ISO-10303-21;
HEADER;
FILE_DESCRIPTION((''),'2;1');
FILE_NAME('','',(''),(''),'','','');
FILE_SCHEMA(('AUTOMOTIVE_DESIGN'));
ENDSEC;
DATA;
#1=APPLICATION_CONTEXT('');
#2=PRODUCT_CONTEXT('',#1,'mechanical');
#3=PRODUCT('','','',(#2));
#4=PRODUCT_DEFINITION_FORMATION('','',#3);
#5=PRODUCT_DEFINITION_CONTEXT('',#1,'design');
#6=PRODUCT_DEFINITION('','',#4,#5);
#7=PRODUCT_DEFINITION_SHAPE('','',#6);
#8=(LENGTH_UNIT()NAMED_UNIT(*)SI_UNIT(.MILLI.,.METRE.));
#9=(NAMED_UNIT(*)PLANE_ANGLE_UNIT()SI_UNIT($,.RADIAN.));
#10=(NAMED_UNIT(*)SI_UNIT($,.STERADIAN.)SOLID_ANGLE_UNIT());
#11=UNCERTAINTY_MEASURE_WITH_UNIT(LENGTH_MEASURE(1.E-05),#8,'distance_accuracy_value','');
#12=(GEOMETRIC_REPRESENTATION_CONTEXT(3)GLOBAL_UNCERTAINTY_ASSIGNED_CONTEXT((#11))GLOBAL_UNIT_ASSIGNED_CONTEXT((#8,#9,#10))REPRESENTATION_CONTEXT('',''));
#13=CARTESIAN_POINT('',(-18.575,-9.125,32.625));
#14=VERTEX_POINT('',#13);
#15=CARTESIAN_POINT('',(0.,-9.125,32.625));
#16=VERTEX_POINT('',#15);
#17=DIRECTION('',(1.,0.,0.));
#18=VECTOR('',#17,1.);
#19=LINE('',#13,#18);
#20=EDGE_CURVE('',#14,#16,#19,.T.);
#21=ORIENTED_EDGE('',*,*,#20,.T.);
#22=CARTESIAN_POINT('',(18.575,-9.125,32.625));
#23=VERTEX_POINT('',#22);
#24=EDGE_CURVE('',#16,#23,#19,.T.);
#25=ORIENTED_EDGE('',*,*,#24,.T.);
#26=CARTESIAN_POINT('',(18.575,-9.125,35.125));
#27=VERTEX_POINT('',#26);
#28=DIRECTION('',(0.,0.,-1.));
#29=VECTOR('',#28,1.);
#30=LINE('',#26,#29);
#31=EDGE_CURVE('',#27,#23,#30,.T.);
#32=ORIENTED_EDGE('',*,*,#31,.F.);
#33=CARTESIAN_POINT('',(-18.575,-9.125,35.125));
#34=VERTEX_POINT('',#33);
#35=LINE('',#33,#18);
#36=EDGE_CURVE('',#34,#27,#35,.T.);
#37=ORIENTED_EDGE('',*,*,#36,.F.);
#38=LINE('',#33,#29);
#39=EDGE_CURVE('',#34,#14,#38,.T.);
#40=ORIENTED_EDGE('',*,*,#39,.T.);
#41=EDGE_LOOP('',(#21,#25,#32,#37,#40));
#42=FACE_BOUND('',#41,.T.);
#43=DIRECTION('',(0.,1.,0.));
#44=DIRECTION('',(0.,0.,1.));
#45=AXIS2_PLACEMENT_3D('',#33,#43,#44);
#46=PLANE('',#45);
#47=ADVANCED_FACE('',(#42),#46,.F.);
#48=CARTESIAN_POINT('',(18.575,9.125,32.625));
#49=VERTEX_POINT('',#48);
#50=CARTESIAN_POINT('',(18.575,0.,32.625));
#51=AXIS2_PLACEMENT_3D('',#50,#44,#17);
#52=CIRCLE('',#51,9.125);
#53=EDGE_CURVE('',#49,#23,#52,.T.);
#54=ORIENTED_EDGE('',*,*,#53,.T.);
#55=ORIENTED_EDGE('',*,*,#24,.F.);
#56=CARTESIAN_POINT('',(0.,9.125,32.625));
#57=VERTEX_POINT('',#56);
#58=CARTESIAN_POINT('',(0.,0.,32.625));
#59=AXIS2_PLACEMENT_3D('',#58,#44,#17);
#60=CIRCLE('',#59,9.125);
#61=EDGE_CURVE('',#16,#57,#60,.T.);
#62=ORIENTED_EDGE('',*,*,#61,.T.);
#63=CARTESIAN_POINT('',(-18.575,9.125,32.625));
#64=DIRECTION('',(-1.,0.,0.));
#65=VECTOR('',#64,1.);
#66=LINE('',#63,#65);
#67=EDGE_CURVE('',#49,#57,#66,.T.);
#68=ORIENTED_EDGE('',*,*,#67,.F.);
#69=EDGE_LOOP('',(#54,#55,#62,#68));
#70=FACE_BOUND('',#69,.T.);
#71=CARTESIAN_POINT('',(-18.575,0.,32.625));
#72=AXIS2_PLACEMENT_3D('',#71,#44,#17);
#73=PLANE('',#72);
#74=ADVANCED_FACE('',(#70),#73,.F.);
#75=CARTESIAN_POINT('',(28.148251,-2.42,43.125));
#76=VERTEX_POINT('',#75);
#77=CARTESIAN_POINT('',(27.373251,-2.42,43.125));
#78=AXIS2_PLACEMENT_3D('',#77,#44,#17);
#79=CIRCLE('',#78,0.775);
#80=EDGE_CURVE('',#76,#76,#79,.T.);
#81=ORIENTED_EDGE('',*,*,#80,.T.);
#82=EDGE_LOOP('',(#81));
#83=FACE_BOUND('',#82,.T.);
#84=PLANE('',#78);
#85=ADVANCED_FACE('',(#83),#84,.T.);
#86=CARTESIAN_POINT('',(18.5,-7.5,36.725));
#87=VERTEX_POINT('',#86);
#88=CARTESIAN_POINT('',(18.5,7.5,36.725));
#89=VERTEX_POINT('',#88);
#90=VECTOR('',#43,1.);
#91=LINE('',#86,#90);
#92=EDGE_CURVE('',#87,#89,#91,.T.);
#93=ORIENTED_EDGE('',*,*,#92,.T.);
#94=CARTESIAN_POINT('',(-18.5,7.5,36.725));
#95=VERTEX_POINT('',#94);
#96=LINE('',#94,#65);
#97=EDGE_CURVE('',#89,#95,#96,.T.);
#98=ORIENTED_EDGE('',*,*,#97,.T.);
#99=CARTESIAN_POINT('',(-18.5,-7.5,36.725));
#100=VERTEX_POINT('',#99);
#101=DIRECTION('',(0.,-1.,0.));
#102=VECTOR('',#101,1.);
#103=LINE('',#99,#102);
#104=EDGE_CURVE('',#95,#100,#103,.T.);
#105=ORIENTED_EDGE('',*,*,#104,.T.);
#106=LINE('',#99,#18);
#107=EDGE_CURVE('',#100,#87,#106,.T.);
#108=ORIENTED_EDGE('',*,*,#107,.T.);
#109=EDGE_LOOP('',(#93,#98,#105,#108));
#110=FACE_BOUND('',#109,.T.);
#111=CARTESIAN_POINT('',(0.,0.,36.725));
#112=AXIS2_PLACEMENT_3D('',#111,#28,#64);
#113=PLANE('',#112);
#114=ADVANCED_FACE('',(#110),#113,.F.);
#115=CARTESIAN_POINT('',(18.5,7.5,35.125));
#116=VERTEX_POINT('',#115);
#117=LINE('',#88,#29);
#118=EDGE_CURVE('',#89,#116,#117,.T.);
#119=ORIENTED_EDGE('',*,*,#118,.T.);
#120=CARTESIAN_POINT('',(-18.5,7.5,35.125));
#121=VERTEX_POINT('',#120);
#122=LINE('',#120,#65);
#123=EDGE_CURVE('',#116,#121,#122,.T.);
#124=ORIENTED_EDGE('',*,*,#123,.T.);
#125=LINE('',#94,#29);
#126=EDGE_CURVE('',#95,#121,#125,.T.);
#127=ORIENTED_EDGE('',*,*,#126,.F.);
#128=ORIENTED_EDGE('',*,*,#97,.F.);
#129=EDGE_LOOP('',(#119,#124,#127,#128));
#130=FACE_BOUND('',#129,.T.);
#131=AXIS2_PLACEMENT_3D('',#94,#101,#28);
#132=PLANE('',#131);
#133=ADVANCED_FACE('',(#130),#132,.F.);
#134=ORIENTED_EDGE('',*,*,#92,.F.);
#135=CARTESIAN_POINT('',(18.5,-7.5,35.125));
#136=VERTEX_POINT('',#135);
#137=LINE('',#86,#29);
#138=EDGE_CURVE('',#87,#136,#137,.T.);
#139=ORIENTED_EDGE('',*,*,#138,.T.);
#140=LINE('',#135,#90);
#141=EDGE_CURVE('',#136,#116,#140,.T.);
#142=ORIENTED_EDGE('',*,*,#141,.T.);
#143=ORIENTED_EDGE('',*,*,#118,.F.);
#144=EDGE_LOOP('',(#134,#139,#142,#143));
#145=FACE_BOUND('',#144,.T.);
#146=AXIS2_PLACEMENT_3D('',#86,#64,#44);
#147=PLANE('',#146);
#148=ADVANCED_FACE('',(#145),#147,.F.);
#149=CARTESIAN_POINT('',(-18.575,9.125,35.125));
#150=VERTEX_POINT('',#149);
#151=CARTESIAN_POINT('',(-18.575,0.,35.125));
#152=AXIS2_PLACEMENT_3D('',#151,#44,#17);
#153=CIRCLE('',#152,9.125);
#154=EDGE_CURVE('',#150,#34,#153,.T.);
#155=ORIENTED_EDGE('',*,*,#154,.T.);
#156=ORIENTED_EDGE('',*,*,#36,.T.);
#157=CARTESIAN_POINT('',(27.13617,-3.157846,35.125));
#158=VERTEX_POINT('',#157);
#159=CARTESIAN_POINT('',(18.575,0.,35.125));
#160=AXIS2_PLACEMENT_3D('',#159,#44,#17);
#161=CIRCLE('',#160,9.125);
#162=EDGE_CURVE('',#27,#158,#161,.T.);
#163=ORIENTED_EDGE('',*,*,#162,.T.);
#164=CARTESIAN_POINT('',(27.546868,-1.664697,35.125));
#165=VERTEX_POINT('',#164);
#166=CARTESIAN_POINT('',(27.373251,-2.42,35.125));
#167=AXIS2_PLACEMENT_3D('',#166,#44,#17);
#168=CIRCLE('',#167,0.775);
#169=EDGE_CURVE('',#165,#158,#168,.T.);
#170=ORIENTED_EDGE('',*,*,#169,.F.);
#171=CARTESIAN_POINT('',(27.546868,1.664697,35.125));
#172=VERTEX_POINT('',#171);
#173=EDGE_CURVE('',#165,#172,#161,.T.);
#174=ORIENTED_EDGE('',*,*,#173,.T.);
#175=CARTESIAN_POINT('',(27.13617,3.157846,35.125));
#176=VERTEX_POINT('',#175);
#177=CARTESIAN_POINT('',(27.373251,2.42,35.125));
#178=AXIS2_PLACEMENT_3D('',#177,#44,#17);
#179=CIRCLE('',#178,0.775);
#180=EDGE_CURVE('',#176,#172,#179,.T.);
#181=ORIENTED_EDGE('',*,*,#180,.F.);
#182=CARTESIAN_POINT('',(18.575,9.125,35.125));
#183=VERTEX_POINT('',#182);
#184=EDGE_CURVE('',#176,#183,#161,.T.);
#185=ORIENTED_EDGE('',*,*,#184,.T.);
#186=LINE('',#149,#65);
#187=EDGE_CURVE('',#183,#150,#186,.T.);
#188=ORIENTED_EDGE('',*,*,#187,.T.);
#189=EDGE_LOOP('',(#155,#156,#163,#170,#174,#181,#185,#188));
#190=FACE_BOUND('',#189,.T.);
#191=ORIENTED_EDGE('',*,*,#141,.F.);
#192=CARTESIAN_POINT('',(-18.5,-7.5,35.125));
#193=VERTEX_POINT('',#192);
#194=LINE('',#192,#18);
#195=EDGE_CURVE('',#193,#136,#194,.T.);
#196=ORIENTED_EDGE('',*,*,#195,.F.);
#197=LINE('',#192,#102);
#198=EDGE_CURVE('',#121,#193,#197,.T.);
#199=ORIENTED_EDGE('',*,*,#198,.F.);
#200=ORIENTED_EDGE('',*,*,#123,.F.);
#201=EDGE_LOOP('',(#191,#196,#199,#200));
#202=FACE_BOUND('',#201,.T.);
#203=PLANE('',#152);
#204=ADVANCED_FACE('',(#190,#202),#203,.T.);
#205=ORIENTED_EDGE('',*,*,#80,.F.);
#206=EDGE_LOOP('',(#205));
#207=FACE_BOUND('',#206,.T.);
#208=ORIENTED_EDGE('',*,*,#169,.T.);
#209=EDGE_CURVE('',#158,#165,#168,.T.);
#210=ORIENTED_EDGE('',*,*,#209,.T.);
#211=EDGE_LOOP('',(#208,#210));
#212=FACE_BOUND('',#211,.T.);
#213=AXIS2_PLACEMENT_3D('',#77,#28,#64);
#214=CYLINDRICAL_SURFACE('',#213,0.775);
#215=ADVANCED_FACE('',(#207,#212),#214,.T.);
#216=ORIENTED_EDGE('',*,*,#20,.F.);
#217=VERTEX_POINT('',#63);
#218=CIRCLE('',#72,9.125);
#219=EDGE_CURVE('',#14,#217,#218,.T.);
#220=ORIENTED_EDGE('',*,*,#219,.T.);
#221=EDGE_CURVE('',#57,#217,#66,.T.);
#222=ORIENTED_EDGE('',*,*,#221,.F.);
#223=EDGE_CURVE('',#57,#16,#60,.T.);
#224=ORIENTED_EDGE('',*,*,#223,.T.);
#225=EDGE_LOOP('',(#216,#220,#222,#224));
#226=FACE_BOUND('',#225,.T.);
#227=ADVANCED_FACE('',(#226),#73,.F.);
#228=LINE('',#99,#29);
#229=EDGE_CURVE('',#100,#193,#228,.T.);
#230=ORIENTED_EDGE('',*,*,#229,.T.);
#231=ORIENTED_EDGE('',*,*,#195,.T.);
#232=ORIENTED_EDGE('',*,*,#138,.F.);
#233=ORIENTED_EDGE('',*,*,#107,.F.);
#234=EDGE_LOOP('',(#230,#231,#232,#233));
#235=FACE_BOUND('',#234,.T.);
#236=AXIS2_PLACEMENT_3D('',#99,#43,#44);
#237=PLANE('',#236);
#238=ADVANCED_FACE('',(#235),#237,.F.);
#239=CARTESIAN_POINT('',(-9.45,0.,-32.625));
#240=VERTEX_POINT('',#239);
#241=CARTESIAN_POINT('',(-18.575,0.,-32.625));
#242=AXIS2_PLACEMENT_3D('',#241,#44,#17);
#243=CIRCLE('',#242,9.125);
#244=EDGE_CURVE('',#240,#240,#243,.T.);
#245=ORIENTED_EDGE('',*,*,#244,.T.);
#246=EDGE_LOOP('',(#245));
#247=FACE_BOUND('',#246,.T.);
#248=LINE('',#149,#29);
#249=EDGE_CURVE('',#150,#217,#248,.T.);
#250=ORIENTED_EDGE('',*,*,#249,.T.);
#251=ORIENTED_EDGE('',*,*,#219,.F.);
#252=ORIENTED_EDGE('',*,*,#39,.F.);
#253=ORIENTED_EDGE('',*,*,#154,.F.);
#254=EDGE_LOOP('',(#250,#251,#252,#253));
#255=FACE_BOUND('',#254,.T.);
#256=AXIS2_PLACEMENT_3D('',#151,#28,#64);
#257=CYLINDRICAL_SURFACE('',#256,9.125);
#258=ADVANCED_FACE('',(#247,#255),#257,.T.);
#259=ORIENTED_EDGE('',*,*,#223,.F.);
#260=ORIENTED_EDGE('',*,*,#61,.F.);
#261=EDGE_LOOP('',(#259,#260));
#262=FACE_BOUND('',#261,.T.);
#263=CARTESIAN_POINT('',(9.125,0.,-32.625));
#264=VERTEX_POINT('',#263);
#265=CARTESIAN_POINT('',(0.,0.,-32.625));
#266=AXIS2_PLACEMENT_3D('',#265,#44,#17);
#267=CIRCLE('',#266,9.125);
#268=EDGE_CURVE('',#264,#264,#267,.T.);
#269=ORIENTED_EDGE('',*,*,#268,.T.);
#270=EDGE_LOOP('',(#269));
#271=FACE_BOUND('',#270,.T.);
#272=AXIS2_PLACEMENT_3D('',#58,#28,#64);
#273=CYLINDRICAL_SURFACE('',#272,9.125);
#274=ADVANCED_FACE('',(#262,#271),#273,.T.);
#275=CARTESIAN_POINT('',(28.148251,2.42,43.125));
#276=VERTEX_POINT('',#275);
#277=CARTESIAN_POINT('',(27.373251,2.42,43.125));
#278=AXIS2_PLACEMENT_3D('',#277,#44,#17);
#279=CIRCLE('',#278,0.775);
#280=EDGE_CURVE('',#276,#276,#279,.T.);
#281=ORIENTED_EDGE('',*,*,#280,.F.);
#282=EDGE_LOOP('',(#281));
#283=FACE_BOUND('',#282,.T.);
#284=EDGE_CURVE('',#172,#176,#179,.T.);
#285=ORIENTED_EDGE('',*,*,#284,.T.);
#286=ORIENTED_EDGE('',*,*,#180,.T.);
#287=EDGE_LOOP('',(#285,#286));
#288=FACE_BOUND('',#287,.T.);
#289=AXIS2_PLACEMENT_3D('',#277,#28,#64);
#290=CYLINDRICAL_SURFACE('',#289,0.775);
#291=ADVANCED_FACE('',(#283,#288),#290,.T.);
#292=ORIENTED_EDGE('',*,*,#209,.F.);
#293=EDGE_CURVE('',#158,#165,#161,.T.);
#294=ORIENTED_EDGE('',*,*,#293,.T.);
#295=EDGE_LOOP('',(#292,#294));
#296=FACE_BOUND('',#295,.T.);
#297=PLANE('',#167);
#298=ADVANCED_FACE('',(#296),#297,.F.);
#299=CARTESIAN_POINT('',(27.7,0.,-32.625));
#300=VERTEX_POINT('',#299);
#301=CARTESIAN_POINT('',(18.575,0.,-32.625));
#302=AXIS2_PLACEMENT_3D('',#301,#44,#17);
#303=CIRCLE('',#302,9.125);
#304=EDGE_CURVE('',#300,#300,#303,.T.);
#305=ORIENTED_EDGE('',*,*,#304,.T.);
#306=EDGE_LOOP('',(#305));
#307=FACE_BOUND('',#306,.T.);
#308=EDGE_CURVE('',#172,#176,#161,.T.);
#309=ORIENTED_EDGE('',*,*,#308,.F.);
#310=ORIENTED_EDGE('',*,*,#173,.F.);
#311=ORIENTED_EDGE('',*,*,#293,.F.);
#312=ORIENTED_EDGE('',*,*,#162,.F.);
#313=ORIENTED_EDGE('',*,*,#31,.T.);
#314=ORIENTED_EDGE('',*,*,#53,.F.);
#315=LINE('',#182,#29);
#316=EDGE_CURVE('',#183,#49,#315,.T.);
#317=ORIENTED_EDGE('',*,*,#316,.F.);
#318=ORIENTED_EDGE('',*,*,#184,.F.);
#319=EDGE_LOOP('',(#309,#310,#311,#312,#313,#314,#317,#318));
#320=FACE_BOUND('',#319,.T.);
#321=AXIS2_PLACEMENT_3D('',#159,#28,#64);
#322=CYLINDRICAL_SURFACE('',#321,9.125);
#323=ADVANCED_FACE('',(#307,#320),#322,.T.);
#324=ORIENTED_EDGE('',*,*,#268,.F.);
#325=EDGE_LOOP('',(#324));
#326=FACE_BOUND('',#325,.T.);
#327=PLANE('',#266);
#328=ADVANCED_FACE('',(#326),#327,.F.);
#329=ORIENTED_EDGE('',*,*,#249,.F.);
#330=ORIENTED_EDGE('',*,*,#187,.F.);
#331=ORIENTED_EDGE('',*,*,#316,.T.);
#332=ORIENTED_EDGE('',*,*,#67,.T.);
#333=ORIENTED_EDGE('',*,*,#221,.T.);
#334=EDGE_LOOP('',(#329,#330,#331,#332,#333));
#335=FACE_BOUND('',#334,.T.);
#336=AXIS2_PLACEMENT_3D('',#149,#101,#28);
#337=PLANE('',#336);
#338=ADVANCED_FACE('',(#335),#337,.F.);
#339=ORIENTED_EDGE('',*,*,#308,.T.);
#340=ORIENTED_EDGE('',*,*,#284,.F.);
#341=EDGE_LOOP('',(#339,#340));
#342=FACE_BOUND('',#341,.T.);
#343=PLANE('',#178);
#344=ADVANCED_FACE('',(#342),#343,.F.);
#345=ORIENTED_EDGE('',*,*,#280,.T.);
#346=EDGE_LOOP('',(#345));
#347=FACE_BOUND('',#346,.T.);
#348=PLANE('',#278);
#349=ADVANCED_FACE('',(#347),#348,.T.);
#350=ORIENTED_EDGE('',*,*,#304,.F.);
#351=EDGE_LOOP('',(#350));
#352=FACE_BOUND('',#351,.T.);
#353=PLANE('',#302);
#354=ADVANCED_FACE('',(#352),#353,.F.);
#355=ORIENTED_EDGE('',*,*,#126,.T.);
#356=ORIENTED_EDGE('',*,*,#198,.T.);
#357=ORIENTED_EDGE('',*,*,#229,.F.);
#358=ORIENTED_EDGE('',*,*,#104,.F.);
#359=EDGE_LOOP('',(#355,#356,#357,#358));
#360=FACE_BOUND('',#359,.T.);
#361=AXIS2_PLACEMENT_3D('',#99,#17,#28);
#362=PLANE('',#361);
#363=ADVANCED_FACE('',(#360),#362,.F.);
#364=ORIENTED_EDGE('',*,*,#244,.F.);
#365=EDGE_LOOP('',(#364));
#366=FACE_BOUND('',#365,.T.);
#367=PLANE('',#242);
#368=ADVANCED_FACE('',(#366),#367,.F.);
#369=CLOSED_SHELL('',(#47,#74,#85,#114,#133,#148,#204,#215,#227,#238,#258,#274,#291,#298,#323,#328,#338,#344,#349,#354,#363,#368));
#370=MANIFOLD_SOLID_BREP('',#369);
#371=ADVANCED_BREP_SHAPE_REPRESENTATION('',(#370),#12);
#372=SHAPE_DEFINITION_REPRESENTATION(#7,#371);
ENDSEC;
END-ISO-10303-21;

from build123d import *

# Parameters (mm, degrees)
SKETCH1_R             = 9.125
BOSS_EXTRUDE1_DEPTH   = 32.625
BOSS_EXTRUDE1_2_DEPTH = 32.625
BOSS_EXTRUDE1_3_DEPTH = 32.625
BOSS_EXTRUDE2_DEPTH   = 2.5
SKETCH3_W             = 37
SKETCH3_H             = 15
BOSS_EXTRUDE3_DEPTH   = 1.6
SKETCH4_R             = 0.775
BOSS_EXTRUDE4_DEPTH   = 8


with BuildPart() as part:
    # Sketch1 → Boss-Extrude1 (new, symmetric)
    with BuildSketch(Plane.XY):
        Circle(SKETCH1_R)
    extrude(amount=BOSS_EXTRUDE1_DEPTH, both=True)



with BuildPart() as body_2:
    # Sketch1 → Boss-Extrude1 2 (new, symmetric)
    with BuildSketch(Plane.XY):
        with Locations((18.575, 0)):
            Circle(SKETCH1_R)
    extrude(amount=BOSS_EXTRUDE1_2_DEPTH, both=True)


with BuildPart() as body_3:
    # Sketch1 → Boss-Extrude1 3 (new, symmetric)
    with BuildSketch(Plane.XY):
        with Locations((-18.575, 0)):
            Circle(SKETCH1_R)
    extrude(amount=BOSS_EXTRUDE1_3_DEPTH, both=True)


with BuildPart() as part_1:
    add(part.part)

    add(body_2.part)  # Boss-Extrude2 merges body 2

    add(body_3.part)  # Boss-Extrude2 merges body 3
    # Sketch2 → Boss-Extrude2 (add)
    with BuildSketch(Plane.XY.offset(32.625)):
        with BuildLine():
            Line((-18.575, 9.125), (18.575, 9.125))
            ThreePointArc((18.575, 9.125), (27.7, 0), (18.575, -9.125))
            Line((18.575, -9.125), (-18.575, -9.125))
            ThreePointArc((-18.575, -9.125), (-27.7, 0), (-18.575, 9.125))
        make_face()
    extrude(amount=BOSS_EXTRUDE2_DEPTH)

    # Sketch3 → Boss-Extrude3 (add)
    with BuildSketch(Plane.XY.offset(35.125)):
        Rectangle(SKETCH3_W, SKETCH3_H)
    extrude(amount=BOSS_EXTRUDE3_DEPTH)

    # Sketch4 → Boss-Extrude4 (add)
    with BuildSketch(Plane.XY.offset(35.125)):
        with Locations(Location((27.373251247, 2.42, 0), (0, 0, 107.8130031))):
            Circle(SKETCH4_R)
        with Locations(Location((27.373251247, -2.42, 0), (0, 0, 252.1869969))):
            Circle(SKETCH4_R)
    extrude(amount=BOSS_EXTRUDE4_DEPTH)


solid = part_1.part
